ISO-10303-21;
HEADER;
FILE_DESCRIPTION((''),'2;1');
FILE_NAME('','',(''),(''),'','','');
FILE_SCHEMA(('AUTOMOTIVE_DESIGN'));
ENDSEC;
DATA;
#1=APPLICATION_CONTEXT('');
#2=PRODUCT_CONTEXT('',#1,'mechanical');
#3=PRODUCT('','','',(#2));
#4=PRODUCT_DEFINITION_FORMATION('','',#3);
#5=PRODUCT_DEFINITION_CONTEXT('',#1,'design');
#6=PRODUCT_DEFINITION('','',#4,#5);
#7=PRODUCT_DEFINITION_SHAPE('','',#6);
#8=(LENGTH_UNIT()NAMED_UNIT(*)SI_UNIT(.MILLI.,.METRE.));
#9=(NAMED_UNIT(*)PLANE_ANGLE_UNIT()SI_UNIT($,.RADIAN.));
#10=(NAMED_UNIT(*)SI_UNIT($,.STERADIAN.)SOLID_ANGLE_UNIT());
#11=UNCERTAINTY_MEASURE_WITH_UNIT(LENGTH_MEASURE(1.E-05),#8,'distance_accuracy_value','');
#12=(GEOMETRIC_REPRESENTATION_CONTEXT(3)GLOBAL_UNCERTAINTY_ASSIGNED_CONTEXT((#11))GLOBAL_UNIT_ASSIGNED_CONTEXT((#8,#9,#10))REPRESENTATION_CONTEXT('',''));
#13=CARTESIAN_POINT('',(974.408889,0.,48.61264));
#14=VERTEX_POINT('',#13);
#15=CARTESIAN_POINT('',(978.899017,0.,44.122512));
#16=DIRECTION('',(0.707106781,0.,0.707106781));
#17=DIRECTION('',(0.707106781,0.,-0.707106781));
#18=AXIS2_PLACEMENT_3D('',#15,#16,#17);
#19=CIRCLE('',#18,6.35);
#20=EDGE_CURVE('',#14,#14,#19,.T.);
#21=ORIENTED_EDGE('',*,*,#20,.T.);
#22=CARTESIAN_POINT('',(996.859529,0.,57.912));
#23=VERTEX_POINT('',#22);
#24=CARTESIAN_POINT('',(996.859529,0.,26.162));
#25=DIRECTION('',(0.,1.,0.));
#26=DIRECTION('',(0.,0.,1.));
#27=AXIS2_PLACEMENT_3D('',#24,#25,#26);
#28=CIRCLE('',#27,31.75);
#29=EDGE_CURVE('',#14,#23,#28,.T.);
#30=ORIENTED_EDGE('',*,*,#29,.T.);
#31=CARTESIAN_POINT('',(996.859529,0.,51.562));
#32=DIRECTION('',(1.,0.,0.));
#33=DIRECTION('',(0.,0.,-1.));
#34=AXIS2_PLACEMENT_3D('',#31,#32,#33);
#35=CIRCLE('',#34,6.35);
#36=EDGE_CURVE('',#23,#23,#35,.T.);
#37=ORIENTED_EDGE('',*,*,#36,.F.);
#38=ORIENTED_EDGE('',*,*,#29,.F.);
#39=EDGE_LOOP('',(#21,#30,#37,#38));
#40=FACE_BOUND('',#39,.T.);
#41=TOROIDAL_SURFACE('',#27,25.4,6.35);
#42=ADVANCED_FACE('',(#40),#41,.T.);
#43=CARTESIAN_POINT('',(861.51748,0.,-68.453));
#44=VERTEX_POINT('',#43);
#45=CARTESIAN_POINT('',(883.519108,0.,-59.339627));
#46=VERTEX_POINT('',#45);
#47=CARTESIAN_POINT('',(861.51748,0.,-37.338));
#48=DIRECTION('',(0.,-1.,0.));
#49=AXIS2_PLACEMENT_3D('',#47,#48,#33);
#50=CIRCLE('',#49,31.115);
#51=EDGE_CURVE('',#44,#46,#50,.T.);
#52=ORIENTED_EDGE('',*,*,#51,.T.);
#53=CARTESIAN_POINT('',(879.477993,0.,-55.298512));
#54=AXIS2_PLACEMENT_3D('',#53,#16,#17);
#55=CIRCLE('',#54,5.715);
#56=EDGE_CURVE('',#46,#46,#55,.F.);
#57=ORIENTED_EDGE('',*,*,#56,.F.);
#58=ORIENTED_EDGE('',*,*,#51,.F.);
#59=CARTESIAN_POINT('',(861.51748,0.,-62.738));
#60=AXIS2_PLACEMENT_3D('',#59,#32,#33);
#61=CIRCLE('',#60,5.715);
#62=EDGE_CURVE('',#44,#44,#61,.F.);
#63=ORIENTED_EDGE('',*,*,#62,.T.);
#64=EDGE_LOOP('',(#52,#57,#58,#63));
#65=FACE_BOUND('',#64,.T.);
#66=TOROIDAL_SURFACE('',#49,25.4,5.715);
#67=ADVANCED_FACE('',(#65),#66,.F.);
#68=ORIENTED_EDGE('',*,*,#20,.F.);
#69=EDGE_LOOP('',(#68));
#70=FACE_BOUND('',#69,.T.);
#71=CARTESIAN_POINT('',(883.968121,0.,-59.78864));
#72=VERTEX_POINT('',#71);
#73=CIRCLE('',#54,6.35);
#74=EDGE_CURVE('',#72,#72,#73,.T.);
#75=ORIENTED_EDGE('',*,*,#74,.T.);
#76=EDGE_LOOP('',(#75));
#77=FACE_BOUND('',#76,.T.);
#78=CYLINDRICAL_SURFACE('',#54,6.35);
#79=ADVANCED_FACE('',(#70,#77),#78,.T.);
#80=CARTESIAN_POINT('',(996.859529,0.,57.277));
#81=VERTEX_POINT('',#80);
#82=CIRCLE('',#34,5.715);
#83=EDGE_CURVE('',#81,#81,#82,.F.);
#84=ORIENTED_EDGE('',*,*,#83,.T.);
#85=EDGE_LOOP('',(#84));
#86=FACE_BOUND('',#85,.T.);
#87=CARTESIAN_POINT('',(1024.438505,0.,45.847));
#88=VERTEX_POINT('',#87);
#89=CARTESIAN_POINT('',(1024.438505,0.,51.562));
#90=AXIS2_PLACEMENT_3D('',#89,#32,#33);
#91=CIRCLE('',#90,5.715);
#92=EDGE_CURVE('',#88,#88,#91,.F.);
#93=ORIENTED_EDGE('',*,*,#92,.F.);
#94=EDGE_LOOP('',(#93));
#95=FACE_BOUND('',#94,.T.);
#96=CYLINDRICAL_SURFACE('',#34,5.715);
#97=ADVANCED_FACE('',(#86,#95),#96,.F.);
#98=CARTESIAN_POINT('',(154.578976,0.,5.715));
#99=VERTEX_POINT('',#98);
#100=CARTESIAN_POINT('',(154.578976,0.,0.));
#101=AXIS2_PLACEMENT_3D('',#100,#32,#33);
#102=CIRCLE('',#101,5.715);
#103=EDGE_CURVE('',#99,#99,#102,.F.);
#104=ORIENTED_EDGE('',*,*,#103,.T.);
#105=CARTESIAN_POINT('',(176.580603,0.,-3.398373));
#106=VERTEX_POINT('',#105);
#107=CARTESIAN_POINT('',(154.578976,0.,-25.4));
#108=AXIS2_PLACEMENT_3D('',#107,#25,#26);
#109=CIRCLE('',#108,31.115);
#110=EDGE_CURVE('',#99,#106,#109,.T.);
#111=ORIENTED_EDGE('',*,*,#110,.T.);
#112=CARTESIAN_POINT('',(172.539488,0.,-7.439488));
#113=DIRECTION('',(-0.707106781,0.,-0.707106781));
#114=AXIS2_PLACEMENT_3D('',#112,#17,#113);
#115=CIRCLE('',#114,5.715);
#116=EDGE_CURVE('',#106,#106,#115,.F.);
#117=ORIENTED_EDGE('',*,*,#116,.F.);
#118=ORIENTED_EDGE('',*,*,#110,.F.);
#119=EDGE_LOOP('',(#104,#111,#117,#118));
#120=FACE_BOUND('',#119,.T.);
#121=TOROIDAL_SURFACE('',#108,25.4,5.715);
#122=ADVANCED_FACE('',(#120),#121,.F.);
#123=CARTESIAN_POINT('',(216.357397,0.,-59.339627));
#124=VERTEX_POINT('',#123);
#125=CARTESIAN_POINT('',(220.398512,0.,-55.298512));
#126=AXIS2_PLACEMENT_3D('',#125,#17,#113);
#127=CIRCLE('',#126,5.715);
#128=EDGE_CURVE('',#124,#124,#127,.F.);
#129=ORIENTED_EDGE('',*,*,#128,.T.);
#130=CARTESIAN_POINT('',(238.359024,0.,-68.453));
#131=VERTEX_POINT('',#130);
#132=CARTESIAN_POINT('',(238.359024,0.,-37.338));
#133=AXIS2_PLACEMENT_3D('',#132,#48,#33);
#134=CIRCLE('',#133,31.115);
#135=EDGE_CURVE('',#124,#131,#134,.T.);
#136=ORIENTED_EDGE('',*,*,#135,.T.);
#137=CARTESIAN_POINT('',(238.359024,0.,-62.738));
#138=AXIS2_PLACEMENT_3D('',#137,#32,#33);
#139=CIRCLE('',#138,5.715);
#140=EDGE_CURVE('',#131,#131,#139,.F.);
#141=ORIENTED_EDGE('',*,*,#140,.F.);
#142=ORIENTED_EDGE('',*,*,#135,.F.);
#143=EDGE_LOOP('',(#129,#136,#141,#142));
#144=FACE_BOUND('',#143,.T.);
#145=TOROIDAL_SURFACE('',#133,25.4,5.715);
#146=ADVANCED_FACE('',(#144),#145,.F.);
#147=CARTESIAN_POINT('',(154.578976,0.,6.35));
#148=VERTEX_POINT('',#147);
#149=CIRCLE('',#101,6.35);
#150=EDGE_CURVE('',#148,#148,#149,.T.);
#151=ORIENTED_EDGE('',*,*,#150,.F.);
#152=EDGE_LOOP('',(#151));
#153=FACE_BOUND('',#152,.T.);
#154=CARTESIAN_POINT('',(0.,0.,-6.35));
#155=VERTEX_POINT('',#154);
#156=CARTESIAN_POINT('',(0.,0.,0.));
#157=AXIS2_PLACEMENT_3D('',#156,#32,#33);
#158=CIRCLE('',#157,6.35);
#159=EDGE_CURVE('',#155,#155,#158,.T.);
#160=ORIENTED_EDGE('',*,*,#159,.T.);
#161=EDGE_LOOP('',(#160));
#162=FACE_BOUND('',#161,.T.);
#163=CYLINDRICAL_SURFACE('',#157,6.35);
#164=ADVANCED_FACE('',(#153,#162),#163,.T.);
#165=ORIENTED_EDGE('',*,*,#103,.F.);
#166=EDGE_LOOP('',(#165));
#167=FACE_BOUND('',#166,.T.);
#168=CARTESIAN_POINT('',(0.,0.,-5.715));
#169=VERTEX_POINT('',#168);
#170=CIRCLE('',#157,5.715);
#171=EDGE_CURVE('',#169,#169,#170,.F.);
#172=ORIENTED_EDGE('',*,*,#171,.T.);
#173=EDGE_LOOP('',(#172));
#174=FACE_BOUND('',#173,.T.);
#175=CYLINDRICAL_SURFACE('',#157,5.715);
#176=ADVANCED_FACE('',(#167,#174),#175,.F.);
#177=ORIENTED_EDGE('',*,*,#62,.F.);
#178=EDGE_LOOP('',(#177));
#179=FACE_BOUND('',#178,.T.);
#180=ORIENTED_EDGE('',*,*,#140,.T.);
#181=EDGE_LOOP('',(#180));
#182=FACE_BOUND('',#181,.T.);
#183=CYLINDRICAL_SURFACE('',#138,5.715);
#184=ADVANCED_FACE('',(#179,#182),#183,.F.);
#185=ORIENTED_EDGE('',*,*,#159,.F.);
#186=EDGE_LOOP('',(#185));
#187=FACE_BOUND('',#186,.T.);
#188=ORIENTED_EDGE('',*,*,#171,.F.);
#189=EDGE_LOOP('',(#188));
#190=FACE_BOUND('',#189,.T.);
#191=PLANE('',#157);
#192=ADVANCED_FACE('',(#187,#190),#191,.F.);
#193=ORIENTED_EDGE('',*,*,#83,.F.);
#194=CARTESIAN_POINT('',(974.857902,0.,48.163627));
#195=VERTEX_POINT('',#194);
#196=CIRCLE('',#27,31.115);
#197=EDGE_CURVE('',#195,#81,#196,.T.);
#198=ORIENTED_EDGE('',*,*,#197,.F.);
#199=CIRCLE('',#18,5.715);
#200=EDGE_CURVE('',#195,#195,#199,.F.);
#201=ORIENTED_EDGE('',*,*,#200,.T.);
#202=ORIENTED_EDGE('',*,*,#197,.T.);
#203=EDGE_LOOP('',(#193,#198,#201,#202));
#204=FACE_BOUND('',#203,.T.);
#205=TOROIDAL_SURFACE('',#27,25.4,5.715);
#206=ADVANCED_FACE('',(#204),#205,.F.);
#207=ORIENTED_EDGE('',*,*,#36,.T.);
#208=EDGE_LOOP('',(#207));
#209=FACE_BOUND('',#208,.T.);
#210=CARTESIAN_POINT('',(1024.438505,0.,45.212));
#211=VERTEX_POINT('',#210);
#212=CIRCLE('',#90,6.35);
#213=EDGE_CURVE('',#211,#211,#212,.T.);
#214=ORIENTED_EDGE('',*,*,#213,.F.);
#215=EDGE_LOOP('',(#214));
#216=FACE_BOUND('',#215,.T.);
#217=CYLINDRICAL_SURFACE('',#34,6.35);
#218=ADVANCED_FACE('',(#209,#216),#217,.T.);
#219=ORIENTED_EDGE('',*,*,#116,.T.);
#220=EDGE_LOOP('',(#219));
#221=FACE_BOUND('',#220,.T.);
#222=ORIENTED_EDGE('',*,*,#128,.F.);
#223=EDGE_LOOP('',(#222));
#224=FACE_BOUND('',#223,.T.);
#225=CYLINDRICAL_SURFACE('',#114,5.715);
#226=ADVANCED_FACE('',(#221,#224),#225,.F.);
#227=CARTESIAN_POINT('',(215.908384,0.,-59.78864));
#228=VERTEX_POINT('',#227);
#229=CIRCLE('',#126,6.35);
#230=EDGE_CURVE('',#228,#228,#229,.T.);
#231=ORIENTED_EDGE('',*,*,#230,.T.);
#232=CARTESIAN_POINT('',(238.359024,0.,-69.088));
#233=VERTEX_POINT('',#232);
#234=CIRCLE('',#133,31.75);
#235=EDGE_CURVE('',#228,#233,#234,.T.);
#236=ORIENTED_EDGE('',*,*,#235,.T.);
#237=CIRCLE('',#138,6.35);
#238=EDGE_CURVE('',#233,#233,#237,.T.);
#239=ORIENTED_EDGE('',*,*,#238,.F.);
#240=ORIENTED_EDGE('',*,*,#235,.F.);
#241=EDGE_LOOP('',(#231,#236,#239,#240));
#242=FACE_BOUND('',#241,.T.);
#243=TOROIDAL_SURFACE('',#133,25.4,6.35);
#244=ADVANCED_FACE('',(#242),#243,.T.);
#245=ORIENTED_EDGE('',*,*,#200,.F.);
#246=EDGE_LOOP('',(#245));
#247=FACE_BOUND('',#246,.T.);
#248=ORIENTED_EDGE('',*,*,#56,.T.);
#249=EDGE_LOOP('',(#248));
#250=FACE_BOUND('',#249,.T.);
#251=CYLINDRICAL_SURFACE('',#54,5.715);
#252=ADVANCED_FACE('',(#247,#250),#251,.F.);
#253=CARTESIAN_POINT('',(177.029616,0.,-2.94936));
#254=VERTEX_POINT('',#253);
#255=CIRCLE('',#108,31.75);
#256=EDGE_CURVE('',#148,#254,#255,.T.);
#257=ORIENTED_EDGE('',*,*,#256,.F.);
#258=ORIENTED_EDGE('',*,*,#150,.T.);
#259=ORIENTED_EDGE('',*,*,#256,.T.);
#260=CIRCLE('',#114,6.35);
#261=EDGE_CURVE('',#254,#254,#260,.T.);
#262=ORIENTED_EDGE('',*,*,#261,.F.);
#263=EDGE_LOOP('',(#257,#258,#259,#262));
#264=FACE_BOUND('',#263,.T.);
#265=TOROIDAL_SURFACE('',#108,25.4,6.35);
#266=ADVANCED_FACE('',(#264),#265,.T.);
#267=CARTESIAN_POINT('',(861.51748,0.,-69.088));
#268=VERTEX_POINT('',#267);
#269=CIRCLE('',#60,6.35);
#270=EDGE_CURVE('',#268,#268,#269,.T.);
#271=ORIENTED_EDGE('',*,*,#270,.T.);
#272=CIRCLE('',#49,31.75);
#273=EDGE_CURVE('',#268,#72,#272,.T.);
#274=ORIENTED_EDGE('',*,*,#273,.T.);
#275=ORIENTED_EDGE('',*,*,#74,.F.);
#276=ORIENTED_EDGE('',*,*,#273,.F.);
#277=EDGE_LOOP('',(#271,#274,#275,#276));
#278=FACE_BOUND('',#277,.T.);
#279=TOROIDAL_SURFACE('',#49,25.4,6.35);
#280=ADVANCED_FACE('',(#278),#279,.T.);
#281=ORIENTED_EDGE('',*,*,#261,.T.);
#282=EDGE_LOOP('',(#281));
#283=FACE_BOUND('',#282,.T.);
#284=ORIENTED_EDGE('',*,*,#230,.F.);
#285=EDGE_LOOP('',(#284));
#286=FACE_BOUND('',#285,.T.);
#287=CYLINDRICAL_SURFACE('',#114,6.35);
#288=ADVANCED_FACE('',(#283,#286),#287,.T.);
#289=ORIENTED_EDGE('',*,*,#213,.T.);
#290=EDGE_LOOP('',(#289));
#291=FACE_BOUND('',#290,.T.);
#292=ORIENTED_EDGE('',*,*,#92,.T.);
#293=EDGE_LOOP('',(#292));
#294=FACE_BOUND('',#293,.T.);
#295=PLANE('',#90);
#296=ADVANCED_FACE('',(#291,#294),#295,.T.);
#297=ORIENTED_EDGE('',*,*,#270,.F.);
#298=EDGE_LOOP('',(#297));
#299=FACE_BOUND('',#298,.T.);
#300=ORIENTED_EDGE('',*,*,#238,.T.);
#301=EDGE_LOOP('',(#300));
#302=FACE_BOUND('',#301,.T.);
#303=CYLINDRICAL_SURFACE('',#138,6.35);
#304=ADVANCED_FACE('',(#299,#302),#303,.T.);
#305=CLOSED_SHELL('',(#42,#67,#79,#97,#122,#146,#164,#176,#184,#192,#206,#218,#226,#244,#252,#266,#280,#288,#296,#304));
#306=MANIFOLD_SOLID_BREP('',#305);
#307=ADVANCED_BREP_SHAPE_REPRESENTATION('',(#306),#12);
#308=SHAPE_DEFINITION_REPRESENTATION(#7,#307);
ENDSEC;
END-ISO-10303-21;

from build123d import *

# Parameters (mm, degrees)
SKETCH2_R   = 6.35
SKETCH2_R_2 = 5.715


with BuildPart() as part:
    # Sweep1: sweep along a path in Sketch1
    with BuildLine(Plane(origin=(0, 0, 0), x_dir=(1, 0, 0), z_dir=(0, 1, 0))) as sweep1_path:
        Line((0, 0), (154.578975516, 0))
        ThreePointArc((154.578975516, 0), (164.299134698, 1.933459874), (172.539487758, 7.439487758))
        Line((172.539487758, 7.439487758), (220.398512242, 55.298512242))
        ThreePointArc((220.398512242, 55.298512242), (228.638865302, 60.804540126), (238.359024484, 62.738))
        Line((238.359024484, 62.738), (861.517480356, 62.738))
        ThreePointArc((861.517480356, 62.738), (871.237639538, 60.804540126), (879.477992598, 55.298512242))
        Line((879.477992598, 55.298512242), (978.899017082, -44.122512242))
        ThreePointArc((978.899017082, -44.122512242), (987.139370142, -49.628540126), (996.859529324, -51.562))
        Line((996.859529324, -51.562), (1024.43850484, -51.562))
    # Sketch2 → Sweep1 (sweep)
    with BuildSketch(Plane(origin=(0, 0, 0), x_dir=(0, 0, -1), z_dir=(1, 0, 0))):
        Circle(SKETCH2_R)
        Circle(SKETCH2_R_2, mode=Mode.SUBTRACT)
    sweep(path=sweep1_path.line)


solid = part.part
